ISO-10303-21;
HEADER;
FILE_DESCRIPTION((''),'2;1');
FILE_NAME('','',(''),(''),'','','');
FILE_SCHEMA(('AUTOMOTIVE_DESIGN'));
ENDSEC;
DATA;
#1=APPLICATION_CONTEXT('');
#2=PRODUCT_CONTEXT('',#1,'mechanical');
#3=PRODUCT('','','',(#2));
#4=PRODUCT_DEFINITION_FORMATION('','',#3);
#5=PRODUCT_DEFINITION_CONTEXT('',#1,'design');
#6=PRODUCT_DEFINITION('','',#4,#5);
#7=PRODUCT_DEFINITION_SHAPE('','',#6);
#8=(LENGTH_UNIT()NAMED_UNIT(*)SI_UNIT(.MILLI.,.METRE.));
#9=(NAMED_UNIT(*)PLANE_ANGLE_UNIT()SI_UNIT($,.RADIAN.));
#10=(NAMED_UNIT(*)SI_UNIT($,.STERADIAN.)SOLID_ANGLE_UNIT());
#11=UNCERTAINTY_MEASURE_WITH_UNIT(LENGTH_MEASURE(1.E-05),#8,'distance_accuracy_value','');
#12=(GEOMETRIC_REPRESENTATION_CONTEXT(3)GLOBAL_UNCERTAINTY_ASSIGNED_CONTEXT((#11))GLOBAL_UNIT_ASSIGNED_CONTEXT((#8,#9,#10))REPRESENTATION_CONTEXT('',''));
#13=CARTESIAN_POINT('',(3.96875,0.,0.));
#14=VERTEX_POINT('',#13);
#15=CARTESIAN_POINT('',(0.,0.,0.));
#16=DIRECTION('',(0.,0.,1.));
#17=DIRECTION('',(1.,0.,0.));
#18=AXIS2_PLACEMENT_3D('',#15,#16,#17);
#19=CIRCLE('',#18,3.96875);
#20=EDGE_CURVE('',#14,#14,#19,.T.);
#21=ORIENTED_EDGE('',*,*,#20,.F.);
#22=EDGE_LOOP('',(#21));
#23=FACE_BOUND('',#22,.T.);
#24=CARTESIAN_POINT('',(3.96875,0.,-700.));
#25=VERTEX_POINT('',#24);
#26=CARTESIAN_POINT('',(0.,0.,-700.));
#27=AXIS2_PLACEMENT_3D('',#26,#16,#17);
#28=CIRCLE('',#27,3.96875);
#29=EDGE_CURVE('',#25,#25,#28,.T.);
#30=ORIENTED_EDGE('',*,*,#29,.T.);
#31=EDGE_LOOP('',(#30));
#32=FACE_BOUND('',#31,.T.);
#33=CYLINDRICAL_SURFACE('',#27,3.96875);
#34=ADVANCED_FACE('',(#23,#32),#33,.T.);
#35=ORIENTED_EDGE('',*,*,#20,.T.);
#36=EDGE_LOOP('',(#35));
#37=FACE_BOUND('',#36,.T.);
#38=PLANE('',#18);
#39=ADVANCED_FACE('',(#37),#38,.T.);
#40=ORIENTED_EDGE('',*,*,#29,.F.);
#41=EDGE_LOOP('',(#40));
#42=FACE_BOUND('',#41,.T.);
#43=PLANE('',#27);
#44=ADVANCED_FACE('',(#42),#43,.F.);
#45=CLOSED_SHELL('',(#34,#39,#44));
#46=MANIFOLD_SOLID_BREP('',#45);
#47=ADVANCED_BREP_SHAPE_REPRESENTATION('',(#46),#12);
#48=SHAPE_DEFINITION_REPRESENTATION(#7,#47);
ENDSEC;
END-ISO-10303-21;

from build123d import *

# Parameters (mm, degrees)
SKETCH1_R           = 3.96875
BOSS_EXTRUDE1_DEPTH = 700


with BuildPart() as part:
    # Sketch1 → Boss-Extrude1 (new body)
    with BuildSketch(Plane.XY):
        Circle(SKETCH1_R)
    extrude(amount=-BOSS_EXTRUDE1_DEPTH)


solid = part.part
